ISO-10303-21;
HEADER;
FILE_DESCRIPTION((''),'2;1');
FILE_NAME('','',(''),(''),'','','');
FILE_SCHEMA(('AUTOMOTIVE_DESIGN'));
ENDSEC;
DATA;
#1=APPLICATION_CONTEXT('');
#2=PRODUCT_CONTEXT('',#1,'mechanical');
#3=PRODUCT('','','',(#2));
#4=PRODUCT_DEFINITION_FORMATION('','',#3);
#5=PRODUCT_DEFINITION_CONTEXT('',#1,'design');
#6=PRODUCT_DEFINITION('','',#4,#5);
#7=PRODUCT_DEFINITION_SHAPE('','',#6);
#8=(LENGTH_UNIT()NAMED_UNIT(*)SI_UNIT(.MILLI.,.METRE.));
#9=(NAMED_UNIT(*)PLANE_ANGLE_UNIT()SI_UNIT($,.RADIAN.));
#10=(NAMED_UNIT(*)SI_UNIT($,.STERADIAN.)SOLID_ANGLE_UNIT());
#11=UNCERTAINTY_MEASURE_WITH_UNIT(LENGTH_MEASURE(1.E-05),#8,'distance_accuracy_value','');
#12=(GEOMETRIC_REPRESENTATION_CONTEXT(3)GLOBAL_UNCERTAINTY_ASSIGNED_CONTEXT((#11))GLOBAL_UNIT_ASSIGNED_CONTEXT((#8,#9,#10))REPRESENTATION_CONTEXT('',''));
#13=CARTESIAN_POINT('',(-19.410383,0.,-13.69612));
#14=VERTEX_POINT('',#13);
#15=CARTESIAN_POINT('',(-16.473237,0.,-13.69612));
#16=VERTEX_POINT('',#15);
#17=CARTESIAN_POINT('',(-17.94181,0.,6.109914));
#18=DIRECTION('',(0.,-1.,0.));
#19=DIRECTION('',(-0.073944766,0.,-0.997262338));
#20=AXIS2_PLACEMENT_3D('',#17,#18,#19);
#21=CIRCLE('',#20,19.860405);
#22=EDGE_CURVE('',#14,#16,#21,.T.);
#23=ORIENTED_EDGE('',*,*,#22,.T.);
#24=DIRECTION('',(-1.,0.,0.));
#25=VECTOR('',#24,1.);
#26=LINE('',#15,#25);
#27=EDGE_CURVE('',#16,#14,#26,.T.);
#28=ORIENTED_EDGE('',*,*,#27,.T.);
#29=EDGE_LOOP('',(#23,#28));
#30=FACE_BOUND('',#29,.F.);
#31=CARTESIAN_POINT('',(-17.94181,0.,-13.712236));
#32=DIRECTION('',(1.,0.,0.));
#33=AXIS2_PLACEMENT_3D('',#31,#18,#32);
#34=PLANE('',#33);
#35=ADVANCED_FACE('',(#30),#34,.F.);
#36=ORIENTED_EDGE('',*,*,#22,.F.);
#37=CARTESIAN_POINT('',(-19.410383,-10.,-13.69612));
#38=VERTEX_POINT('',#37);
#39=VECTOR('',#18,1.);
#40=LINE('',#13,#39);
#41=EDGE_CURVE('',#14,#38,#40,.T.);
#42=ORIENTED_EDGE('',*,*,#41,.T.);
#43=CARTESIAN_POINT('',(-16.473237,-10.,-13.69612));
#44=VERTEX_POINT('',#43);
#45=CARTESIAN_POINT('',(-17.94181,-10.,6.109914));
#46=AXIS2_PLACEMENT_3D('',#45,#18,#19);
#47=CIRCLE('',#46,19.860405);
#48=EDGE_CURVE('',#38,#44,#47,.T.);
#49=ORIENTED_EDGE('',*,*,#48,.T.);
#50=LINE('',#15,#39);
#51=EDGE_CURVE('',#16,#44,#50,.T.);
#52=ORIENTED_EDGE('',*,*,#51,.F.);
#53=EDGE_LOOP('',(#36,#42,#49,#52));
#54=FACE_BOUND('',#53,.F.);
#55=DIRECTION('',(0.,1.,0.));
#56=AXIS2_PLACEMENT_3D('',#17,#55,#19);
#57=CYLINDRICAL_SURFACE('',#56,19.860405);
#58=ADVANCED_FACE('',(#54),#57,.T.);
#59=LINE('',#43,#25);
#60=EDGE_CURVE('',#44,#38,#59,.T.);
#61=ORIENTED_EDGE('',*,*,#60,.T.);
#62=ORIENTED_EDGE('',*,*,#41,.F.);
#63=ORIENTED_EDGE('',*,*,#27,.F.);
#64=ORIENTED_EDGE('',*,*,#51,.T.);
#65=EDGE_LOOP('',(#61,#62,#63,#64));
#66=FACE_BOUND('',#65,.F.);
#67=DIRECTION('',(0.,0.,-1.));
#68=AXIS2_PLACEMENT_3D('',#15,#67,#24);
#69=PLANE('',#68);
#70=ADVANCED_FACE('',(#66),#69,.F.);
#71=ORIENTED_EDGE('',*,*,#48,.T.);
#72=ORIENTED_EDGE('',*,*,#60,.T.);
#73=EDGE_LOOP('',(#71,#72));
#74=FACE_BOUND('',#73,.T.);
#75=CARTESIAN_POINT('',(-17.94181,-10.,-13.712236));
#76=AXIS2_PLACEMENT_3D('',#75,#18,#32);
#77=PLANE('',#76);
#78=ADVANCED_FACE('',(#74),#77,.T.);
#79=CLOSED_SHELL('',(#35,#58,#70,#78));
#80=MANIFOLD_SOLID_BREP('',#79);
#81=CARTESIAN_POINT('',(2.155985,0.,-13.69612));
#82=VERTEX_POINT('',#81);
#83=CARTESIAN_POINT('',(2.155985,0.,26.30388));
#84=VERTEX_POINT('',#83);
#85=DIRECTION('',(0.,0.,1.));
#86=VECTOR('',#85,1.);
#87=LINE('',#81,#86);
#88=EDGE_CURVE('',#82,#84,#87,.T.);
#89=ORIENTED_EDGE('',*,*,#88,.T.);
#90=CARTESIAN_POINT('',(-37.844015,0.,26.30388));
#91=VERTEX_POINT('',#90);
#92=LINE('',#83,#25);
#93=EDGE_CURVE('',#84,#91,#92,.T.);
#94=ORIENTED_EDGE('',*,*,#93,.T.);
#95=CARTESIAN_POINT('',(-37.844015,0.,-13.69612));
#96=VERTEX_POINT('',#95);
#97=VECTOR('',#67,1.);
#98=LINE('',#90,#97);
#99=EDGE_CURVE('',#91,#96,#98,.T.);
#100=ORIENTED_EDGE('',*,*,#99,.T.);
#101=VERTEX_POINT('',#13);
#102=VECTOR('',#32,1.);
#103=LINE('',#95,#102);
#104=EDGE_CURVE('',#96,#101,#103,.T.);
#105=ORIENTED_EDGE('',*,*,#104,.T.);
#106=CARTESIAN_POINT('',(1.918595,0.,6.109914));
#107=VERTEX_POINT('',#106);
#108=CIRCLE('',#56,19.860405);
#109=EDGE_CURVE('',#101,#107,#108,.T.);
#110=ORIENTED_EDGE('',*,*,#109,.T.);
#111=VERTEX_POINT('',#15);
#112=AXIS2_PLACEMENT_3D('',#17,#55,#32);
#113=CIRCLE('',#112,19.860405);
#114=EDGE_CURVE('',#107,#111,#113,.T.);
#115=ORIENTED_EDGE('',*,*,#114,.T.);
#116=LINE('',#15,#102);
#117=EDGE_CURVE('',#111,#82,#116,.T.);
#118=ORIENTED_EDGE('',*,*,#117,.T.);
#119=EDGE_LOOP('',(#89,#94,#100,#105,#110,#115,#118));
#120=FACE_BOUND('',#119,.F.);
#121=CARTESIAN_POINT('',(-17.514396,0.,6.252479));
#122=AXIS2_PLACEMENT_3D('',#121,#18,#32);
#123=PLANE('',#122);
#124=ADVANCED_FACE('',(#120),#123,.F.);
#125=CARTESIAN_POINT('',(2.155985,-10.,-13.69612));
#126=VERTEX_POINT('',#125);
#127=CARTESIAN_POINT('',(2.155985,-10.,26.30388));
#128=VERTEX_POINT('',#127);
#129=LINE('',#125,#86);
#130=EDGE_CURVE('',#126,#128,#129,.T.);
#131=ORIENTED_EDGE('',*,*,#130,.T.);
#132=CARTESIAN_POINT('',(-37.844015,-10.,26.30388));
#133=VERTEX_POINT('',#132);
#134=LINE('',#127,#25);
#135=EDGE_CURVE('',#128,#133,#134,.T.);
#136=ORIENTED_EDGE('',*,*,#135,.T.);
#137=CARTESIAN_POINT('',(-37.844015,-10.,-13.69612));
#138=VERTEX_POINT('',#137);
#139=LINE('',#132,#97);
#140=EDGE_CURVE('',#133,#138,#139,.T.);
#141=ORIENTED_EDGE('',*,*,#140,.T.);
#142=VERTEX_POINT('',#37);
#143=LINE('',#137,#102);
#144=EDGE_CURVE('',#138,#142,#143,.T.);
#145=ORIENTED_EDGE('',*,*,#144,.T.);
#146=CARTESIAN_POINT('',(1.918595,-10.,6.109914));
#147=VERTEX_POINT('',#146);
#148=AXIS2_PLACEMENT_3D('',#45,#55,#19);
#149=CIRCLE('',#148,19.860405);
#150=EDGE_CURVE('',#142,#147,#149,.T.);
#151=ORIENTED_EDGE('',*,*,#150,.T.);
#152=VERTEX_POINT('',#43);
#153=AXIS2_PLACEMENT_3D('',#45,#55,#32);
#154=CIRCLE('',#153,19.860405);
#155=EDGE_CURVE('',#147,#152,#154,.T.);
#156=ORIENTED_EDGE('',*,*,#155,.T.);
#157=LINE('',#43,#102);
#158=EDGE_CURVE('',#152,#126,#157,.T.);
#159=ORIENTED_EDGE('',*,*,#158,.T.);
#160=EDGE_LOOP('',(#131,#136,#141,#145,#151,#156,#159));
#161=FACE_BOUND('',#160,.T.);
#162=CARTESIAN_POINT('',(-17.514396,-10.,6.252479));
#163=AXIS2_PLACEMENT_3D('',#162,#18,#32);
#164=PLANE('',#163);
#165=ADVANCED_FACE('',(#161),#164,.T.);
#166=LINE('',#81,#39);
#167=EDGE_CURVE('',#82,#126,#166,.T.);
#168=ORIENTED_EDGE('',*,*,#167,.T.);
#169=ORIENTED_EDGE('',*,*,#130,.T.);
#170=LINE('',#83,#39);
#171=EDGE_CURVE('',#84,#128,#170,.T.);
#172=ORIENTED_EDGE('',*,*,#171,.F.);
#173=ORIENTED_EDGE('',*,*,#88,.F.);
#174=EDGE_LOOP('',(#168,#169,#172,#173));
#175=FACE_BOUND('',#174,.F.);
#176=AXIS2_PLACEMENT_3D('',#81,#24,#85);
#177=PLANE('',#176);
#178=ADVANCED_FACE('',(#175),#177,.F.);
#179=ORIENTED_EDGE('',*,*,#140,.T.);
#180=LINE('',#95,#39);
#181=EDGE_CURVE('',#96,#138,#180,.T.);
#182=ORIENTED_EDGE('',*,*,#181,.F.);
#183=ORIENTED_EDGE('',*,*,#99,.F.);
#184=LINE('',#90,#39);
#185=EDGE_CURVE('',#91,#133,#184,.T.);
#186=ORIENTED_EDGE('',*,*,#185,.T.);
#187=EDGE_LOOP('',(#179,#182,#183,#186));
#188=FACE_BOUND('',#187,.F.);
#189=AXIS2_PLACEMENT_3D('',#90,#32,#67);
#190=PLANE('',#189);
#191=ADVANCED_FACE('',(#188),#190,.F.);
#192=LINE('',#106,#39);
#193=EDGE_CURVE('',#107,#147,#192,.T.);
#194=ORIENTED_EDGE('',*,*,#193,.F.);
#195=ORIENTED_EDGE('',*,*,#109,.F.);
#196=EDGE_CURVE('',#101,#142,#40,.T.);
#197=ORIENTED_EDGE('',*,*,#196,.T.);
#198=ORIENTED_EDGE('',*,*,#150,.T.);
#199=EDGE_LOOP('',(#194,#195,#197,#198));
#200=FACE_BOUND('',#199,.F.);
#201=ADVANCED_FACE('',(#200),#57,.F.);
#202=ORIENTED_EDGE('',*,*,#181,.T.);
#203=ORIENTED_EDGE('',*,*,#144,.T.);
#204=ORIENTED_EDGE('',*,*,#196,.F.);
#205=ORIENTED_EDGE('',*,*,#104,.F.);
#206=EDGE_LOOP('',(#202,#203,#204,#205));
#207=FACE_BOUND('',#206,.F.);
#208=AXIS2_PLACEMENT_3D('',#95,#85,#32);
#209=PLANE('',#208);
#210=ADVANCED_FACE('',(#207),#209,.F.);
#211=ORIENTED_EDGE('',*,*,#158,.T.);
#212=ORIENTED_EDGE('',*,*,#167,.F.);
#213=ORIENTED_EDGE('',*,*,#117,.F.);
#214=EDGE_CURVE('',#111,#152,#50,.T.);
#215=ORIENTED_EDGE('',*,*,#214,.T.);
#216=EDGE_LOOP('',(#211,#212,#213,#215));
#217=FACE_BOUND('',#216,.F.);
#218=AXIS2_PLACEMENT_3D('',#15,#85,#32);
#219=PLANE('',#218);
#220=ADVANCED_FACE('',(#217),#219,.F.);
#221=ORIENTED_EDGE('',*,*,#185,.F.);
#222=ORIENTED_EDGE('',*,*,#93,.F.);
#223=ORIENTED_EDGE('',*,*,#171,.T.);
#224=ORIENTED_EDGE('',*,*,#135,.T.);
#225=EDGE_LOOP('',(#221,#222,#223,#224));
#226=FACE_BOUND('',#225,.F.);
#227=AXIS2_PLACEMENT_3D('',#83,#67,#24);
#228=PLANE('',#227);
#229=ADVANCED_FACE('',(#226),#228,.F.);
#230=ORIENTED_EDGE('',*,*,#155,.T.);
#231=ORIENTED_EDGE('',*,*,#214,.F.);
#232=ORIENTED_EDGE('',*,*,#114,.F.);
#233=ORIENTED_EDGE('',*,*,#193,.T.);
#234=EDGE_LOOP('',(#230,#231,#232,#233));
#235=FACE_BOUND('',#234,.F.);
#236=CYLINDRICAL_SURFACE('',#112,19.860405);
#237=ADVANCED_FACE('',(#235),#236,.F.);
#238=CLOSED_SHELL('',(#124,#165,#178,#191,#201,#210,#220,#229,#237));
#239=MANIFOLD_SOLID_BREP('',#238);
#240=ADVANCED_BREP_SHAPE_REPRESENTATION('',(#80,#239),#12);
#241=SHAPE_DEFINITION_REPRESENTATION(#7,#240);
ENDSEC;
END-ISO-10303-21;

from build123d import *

# Parameters (mm, degrees)
F1_DEPTH = 10


with BuildPart() as f1:
    # F0 (on Front) → F1 (new body)
    with BuildSketch(Plane.XZ):
        with BuildLine():
            Line((2.1559845248, 26.303879898), (-37.8440154752, 26.303879898))
            Line((-37.8440154752, 26.303879898), (-37.8440154752, -13.696120102))
            Line((-37.8440154752, -13.696120102), (-19.4103831944, -13.696120102))
            ThreePointArc((-19.4103831944, -13.696120102), (-31.4560477095, 20.663300713), (1.9185947909, 6.1099138111))
            ThreePointArc((1.9185947909, 6.1099138111), (-3.3884232888, -7.4043237078), (-16.4732371869, -13.696120102))
            Line((-16.4732371869, -13.696120102), (2.1559845248, -13.696120102))
            Line((2.1559845248, -13.696120102), (2.1559845248, 26.303879898))
        make_face()
    extrude(amount=F1_DEPTH)


with BuildPart() as f1b:
    # F0 (on Front) → F1, piece 2 (new body)
    with BuildSketch(Plane.XZ):
        with BuildLine():
            Line((-16.4732371869, -13.696120102), (-19.4103831944, -13.696120102))
            ThreePointArc((-19.4103831944, -13.696120102), (-17.9418101907, -13.7504911705), (-16.4732371869, -13.696120102))
        make_face()
    extrude(amount=F1_DEPTH)


solid = Compound([f1.part, f1b.part])
